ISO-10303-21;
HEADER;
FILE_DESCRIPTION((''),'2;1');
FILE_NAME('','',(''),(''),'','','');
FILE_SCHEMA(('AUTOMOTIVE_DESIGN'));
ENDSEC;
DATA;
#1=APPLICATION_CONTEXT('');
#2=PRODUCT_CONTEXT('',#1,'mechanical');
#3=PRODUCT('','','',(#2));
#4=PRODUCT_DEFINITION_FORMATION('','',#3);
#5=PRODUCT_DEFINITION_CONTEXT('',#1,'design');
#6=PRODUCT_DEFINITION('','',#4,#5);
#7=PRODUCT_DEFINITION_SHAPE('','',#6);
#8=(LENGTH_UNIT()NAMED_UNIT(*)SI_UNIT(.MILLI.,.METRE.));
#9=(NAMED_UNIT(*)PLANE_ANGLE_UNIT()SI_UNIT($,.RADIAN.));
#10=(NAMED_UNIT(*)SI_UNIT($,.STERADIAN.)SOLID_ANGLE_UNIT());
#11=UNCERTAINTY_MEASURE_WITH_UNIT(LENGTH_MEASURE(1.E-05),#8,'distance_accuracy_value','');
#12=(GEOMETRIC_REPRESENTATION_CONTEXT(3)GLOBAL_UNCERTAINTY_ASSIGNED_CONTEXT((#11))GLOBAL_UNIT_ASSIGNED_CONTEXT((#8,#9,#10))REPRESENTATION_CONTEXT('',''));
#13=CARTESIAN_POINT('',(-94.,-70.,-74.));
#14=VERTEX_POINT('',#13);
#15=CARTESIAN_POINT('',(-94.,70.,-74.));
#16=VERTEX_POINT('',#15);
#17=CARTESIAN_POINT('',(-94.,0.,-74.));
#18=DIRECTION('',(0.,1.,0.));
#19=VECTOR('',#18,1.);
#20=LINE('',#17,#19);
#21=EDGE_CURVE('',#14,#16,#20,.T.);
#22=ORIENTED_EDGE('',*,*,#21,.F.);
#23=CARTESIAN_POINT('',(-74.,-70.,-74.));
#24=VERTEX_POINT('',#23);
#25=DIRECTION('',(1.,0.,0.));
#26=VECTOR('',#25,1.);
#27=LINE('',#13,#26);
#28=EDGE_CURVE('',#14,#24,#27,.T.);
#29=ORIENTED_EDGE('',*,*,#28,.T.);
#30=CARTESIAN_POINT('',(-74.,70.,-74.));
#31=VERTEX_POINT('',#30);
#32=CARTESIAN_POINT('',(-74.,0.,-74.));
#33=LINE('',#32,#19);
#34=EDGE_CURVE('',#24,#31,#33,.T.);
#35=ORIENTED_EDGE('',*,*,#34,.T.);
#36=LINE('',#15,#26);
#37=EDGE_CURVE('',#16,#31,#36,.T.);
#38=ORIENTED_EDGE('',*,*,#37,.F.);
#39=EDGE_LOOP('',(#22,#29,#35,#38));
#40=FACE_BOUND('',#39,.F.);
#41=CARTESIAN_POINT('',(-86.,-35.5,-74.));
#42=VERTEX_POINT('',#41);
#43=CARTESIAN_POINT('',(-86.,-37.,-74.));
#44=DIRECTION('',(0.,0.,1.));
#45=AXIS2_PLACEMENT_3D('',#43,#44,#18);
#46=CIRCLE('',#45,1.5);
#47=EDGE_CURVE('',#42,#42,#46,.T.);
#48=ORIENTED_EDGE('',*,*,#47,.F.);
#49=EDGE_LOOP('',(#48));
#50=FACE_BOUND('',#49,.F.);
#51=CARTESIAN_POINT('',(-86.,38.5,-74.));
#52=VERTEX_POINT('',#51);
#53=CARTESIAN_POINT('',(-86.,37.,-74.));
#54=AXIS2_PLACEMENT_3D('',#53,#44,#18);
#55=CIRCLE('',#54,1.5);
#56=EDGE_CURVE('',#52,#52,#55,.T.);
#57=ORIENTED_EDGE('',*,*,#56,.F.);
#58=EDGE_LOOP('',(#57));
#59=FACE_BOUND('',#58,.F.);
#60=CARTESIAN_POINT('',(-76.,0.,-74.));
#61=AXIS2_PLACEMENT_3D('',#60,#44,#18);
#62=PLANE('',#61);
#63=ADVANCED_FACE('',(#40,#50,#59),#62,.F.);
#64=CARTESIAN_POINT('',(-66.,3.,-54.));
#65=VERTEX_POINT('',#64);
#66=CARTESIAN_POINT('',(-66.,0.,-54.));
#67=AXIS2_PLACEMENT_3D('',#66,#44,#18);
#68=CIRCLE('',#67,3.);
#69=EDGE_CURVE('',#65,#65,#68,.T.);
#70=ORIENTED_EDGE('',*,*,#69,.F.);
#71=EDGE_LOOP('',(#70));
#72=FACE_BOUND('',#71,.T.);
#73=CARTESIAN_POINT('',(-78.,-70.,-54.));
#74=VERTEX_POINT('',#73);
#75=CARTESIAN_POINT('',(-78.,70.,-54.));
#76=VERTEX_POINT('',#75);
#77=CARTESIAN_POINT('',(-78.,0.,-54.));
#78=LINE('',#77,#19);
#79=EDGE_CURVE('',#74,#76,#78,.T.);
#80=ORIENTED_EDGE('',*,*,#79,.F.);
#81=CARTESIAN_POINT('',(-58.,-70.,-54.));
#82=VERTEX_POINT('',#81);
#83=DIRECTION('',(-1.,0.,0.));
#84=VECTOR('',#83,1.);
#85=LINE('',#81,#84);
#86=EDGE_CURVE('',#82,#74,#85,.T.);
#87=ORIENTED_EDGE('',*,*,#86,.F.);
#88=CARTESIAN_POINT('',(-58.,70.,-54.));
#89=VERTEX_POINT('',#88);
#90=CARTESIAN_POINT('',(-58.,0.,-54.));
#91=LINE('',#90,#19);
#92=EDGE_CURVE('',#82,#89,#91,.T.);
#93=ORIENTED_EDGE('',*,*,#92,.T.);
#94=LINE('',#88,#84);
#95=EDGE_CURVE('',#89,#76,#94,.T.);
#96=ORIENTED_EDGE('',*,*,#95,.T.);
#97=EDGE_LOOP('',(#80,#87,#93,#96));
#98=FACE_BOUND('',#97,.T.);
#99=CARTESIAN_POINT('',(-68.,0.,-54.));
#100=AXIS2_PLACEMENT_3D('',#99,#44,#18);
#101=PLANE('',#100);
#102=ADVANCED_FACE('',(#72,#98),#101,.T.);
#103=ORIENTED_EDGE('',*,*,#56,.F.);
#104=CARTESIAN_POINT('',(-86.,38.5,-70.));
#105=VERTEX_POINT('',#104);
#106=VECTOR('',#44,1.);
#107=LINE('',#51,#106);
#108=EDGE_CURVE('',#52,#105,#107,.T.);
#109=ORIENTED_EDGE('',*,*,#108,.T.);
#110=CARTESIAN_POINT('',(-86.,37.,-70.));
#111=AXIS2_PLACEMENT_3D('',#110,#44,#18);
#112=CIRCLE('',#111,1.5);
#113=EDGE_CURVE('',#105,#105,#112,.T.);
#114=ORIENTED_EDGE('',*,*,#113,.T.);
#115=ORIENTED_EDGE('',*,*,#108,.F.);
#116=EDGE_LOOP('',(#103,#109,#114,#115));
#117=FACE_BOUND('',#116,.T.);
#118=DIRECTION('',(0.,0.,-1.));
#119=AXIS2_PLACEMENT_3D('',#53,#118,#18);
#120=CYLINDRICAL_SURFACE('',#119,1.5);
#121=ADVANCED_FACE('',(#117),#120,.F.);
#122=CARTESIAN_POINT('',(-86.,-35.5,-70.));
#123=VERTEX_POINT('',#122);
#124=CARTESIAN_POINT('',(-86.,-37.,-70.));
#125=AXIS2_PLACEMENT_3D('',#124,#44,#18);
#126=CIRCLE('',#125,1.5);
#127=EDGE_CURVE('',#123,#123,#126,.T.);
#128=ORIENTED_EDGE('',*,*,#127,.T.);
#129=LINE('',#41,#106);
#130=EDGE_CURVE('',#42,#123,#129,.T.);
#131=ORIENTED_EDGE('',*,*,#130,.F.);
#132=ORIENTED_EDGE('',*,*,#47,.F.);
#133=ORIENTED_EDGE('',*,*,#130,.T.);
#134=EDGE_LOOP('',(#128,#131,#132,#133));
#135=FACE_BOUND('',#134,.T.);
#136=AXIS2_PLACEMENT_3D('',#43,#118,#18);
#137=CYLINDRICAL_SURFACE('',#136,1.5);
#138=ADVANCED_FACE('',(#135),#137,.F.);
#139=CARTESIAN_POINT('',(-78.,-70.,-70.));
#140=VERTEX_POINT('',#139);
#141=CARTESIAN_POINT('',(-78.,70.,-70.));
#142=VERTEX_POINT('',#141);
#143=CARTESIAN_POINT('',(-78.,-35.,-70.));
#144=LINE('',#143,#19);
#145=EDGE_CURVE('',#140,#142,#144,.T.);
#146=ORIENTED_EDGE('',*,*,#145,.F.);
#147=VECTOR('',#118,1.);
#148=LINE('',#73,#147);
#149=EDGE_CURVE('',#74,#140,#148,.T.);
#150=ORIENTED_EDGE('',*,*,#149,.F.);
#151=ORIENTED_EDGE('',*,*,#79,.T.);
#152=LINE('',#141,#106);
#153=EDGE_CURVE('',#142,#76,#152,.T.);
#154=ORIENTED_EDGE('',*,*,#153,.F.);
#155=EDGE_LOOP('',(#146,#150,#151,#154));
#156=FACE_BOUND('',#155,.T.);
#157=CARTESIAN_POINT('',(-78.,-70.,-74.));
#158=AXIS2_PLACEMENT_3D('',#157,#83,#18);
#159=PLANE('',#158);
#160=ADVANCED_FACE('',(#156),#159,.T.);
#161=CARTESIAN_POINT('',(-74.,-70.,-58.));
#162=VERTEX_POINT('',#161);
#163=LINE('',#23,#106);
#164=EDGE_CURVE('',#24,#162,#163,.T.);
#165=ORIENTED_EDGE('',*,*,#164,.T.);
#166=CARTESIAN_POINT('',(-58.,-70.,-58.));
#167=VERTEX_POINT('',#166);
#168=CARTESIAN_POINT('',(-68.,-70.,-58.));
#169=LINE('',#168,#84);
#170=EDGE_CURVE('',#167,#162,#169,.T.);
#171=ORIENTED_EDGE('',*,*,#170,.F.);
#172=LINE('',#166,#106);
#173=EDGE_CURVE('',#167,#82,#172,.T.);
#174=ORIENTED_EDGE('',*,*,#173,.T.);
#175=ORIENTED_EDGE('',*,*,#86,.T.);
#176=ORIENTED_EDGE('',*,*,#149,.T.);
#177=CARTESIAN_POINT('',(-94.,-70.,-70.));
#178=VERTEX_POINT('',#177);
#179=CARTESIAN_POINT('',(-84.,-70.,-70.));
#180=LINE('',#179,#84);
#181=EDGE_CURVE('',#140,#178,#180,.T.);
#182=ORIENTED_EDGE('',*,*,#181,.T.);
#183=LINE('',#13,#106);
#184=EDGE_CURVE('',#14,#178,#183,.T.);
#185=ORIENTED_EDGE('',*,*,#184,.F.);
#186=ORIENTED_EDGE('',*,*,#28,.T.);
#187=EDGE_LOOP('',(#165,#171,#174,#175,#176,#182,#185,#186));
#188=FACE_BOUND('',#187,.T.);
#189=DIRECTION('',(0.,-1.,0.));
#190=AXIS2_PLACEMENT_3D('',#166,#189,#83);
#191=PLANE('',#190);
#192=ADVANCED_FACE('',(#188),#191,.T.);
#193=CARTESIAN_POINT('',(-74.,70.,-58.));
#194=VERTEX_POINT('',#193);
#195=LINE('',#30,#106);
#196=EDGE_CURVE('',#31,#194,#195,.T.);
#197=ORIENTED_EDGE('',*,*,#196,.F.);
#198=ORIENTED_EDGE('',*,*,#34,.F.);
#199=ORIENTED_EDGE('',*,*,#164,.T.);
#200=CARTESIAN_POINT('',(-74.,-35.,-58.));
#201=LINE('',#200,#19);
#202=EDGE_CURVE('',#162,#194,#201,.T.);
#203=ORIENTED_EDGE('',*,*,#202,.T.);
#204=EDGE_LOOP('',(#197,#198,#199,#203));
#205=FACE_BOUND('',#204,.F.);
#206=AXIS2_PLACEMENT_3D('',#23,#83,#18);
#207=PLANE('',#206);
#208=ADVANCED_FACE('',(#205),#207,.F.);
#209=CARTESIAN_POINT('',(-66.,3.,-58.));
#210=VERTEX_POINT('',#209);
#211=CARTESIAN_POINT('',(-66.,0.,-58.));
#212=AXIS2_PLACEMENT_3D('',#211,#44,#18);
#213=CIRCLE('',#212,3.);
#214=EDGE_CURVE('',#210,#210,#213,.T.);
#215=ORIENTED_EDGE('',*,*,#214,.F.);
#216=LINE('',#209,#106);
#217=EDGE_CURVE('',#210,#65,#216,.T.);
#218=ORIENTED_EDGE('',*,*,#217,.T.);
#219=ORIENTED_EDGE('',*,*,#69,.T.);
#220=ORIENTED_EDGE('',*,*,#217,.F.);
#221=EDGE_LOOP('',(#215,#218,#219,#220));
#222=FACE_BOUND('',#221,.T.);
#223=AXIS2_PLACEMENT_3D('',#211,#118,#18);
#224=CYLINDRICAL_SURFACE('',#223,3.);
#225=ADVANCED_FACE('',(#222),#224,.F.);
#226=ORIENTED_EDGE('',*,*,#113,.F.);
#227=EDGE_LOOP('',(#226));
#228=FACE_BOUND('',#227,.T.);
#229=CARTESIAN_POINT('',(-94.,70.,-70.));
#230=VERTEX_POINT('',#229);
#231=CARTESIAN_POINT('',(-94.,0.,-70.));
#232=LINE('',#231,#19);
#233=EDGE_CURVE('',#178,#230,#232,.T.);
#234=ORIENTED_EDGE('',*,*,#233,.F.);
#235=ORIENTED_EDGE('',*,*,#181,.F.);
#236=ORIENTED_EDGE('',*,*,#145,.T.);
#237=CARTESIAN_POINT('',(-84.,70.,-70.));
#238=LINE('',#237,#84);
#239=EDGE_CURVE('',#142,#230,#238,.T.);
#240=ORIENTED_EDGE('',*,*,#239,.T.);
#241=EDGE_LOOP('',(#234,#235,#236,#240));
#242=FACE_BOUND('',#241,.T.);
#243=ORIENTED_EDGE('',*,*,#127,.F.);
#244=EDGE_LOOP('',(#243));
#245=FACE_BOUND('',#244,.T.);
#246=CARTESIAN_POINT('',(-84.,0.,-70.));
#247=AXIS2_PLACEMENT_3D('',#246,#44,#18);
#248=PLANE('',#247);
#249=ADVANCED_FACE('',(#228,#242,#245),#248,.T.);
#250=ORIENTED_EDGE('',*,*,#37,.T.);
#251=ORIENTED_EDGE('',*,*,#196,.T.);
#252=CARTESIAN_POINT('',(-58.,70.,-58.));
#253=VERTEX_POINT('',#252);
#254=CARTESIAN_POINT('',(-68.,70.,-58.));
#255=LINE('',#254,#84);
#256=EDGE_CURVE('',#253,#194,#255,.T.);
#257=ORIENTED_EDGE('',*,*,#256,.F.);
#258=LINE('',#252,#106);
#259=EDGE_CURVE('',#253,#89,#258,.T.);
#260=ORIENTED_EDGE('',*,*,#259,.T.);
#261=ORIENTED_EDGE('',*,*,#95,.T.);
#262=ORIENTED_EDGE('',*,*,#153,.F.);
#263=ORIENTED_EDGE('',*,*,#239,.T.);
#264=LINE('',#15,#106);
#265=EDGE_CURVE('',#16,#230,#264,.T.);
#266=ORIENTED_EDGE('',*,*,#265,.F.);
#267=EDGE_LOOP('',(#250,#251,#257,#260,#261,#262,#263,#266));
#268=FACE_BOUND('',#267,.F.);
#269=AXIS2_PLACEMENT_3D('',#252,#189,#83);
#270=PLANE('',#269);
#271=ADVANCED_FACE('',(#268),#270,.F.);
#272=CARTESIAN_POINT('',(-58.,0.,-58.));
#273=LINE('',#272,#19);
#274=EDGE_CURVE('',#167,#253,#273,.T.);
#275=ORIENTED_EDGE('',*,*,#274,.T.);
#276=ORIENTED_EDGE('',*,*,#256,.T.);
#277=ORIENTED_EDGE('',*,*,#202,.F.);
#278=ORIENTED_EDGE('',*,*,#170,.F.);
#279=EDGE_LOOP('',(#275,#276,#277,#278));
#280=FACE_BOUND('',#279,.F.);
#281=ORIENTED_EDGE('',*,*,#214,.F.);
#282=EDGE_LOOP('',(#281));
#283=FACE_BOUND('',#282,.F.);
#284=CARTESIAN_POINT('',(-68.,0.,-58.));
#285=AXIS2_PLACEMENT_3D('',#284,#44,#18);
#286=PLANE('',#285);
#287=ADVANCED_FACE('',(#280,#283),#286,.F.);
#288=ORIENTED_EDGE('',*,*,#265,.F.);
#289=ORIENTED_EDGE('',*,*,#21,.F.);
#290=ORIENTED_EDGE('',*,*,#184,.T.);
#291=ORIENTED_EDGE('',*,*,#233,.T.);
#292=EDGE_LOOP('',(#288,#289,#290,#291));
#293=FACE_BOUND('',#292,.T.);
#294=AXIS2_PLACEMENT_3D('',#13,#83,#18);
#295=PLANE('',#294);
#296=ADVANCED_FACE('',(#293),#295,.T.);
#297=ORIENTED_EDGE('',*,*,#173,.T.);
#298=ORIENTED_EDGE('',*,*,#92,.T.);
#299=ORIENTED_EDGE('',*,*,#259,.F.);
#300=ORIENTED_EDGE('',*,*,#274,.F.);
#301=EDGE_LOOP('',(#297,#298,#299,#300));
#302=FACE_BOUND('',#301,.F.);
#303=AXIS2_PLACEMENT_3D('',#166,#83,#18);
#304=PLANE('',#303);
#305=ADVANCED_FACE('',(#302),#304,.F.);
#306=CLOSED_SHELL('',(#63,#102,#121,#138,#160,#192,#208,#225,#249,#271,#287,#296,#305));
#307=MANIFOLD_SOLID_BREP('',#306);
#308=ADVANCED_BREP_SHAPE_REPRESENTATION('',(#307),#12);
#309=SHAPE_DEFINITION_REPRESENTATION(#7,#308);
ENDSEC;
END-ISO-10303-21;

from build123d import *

# Parameters (mm, degrees)
CYLINDER020_R          = 1.5
CYLINDER020_DEPTH      = 4
CYLINDER022_R          = 3
CYLINDER022_DEPTH      = 4
CYLINDER021_R          = 1.5
CYLINDER021_DEPTH      = 4
BOX040_W               = 140
BOX040_H               = 20
BOX040_DEPTH           = 4
BOX041_W               = 140
BOX041_H               = 20
BOX041_DEPTH           = 4
BOX039_W               = 140
BOX039_H               = 4
BOX039_DEPTH           = 20
CUT031_PLACEMENT_ANGLE = 90


with BuildPart() as agujero_de_metrica_3_trasero:
    # Cylinder020 → Cylinder020 (new body)
    with BuildSketch(Plane(origin=(33, 12, 0), x_dir=(1, 0, 0), z_dir=(0, 0, 1))):
        Circle(CYLINDER020_R)
    extrude(amount=CYLINDER020_DEPTH)


with BuildPart() as cylinder022:
    # Cylinder022 → Cylinder022 (new body)
    with BuildSketch(Plane(origin=(70, -8, 16), x_dir=(1, 0, 0), z_dir=(0, 0, 1))):
        Circle(CYLINDER022_R)
    extrude(amount=CYLINDER022_DEPTH)


with BuildPart() as perforaciones:
    # Cylinder021 → Cylinder021 (new body)
    with BuildSketch(Plane(origin=(107, 12, 0), x_dir=(1, 0, 0), z_dir=(0, 0, 1))):
        Circle(CYLINDER021_R)
    extrude(amount=CYLINDER021_DEPTH)

    # Fusion022: union Agujero de metrica 3 trasero, Cylinder022
    add(agujero_de_metrica_3_trasero.part)
    add(cylinder022.part)


with BuildPart() as perfil_inferior:
    # Box040 → Box040 (new body)
    with BuildSketch(Plane.XY):
        with Locations((70, 10)):
            Rectangle(BOX040_W, BOX040_H)
    extrude(amount=BOX040_DEPTH)


with BuildPart() as perfil_superior:
    # Box041 → Box041 (new body)
    with BuildSketch(Plane(origin=(0, -16, 16), x_dir=(1, 0, 0), z_dir=(0, 0, 1))):
        with Locations((70, 10)):
            Rectangle(BOX041_W, BOX041_H)
    extrude(amount=BOX041_DEPTH)


with BuildPart() as perfil_derecho:
    # Box039 → Box039 (new body)
    with BuildSketch(Plane.XY):
        with Locations((70, 2)):
            Rectangle(BOX039_W, BOX039_H)
    extrude(amount=BOX039_DEPTH)

    # Fusion021: union Perfil inferior, Perfil superior
    add(perfil_inferior.part)
    add(perfil_superior.part)

    # Cut031: cut Perforaciones
    add(perforaciones.part, mode=Mode.SUBTRACT)


with BuildPart() as perfil_derecho_1:
    # Cut031 placement: moved
    add(perfil_derecho.part.moved(Location((-74, -70, -74))).rotate(Axis((-74, -70, -74), (0, 0, 1)), CUT031_PLACEMENT_ANGLE))


solid = perfil_derecho_1.part
